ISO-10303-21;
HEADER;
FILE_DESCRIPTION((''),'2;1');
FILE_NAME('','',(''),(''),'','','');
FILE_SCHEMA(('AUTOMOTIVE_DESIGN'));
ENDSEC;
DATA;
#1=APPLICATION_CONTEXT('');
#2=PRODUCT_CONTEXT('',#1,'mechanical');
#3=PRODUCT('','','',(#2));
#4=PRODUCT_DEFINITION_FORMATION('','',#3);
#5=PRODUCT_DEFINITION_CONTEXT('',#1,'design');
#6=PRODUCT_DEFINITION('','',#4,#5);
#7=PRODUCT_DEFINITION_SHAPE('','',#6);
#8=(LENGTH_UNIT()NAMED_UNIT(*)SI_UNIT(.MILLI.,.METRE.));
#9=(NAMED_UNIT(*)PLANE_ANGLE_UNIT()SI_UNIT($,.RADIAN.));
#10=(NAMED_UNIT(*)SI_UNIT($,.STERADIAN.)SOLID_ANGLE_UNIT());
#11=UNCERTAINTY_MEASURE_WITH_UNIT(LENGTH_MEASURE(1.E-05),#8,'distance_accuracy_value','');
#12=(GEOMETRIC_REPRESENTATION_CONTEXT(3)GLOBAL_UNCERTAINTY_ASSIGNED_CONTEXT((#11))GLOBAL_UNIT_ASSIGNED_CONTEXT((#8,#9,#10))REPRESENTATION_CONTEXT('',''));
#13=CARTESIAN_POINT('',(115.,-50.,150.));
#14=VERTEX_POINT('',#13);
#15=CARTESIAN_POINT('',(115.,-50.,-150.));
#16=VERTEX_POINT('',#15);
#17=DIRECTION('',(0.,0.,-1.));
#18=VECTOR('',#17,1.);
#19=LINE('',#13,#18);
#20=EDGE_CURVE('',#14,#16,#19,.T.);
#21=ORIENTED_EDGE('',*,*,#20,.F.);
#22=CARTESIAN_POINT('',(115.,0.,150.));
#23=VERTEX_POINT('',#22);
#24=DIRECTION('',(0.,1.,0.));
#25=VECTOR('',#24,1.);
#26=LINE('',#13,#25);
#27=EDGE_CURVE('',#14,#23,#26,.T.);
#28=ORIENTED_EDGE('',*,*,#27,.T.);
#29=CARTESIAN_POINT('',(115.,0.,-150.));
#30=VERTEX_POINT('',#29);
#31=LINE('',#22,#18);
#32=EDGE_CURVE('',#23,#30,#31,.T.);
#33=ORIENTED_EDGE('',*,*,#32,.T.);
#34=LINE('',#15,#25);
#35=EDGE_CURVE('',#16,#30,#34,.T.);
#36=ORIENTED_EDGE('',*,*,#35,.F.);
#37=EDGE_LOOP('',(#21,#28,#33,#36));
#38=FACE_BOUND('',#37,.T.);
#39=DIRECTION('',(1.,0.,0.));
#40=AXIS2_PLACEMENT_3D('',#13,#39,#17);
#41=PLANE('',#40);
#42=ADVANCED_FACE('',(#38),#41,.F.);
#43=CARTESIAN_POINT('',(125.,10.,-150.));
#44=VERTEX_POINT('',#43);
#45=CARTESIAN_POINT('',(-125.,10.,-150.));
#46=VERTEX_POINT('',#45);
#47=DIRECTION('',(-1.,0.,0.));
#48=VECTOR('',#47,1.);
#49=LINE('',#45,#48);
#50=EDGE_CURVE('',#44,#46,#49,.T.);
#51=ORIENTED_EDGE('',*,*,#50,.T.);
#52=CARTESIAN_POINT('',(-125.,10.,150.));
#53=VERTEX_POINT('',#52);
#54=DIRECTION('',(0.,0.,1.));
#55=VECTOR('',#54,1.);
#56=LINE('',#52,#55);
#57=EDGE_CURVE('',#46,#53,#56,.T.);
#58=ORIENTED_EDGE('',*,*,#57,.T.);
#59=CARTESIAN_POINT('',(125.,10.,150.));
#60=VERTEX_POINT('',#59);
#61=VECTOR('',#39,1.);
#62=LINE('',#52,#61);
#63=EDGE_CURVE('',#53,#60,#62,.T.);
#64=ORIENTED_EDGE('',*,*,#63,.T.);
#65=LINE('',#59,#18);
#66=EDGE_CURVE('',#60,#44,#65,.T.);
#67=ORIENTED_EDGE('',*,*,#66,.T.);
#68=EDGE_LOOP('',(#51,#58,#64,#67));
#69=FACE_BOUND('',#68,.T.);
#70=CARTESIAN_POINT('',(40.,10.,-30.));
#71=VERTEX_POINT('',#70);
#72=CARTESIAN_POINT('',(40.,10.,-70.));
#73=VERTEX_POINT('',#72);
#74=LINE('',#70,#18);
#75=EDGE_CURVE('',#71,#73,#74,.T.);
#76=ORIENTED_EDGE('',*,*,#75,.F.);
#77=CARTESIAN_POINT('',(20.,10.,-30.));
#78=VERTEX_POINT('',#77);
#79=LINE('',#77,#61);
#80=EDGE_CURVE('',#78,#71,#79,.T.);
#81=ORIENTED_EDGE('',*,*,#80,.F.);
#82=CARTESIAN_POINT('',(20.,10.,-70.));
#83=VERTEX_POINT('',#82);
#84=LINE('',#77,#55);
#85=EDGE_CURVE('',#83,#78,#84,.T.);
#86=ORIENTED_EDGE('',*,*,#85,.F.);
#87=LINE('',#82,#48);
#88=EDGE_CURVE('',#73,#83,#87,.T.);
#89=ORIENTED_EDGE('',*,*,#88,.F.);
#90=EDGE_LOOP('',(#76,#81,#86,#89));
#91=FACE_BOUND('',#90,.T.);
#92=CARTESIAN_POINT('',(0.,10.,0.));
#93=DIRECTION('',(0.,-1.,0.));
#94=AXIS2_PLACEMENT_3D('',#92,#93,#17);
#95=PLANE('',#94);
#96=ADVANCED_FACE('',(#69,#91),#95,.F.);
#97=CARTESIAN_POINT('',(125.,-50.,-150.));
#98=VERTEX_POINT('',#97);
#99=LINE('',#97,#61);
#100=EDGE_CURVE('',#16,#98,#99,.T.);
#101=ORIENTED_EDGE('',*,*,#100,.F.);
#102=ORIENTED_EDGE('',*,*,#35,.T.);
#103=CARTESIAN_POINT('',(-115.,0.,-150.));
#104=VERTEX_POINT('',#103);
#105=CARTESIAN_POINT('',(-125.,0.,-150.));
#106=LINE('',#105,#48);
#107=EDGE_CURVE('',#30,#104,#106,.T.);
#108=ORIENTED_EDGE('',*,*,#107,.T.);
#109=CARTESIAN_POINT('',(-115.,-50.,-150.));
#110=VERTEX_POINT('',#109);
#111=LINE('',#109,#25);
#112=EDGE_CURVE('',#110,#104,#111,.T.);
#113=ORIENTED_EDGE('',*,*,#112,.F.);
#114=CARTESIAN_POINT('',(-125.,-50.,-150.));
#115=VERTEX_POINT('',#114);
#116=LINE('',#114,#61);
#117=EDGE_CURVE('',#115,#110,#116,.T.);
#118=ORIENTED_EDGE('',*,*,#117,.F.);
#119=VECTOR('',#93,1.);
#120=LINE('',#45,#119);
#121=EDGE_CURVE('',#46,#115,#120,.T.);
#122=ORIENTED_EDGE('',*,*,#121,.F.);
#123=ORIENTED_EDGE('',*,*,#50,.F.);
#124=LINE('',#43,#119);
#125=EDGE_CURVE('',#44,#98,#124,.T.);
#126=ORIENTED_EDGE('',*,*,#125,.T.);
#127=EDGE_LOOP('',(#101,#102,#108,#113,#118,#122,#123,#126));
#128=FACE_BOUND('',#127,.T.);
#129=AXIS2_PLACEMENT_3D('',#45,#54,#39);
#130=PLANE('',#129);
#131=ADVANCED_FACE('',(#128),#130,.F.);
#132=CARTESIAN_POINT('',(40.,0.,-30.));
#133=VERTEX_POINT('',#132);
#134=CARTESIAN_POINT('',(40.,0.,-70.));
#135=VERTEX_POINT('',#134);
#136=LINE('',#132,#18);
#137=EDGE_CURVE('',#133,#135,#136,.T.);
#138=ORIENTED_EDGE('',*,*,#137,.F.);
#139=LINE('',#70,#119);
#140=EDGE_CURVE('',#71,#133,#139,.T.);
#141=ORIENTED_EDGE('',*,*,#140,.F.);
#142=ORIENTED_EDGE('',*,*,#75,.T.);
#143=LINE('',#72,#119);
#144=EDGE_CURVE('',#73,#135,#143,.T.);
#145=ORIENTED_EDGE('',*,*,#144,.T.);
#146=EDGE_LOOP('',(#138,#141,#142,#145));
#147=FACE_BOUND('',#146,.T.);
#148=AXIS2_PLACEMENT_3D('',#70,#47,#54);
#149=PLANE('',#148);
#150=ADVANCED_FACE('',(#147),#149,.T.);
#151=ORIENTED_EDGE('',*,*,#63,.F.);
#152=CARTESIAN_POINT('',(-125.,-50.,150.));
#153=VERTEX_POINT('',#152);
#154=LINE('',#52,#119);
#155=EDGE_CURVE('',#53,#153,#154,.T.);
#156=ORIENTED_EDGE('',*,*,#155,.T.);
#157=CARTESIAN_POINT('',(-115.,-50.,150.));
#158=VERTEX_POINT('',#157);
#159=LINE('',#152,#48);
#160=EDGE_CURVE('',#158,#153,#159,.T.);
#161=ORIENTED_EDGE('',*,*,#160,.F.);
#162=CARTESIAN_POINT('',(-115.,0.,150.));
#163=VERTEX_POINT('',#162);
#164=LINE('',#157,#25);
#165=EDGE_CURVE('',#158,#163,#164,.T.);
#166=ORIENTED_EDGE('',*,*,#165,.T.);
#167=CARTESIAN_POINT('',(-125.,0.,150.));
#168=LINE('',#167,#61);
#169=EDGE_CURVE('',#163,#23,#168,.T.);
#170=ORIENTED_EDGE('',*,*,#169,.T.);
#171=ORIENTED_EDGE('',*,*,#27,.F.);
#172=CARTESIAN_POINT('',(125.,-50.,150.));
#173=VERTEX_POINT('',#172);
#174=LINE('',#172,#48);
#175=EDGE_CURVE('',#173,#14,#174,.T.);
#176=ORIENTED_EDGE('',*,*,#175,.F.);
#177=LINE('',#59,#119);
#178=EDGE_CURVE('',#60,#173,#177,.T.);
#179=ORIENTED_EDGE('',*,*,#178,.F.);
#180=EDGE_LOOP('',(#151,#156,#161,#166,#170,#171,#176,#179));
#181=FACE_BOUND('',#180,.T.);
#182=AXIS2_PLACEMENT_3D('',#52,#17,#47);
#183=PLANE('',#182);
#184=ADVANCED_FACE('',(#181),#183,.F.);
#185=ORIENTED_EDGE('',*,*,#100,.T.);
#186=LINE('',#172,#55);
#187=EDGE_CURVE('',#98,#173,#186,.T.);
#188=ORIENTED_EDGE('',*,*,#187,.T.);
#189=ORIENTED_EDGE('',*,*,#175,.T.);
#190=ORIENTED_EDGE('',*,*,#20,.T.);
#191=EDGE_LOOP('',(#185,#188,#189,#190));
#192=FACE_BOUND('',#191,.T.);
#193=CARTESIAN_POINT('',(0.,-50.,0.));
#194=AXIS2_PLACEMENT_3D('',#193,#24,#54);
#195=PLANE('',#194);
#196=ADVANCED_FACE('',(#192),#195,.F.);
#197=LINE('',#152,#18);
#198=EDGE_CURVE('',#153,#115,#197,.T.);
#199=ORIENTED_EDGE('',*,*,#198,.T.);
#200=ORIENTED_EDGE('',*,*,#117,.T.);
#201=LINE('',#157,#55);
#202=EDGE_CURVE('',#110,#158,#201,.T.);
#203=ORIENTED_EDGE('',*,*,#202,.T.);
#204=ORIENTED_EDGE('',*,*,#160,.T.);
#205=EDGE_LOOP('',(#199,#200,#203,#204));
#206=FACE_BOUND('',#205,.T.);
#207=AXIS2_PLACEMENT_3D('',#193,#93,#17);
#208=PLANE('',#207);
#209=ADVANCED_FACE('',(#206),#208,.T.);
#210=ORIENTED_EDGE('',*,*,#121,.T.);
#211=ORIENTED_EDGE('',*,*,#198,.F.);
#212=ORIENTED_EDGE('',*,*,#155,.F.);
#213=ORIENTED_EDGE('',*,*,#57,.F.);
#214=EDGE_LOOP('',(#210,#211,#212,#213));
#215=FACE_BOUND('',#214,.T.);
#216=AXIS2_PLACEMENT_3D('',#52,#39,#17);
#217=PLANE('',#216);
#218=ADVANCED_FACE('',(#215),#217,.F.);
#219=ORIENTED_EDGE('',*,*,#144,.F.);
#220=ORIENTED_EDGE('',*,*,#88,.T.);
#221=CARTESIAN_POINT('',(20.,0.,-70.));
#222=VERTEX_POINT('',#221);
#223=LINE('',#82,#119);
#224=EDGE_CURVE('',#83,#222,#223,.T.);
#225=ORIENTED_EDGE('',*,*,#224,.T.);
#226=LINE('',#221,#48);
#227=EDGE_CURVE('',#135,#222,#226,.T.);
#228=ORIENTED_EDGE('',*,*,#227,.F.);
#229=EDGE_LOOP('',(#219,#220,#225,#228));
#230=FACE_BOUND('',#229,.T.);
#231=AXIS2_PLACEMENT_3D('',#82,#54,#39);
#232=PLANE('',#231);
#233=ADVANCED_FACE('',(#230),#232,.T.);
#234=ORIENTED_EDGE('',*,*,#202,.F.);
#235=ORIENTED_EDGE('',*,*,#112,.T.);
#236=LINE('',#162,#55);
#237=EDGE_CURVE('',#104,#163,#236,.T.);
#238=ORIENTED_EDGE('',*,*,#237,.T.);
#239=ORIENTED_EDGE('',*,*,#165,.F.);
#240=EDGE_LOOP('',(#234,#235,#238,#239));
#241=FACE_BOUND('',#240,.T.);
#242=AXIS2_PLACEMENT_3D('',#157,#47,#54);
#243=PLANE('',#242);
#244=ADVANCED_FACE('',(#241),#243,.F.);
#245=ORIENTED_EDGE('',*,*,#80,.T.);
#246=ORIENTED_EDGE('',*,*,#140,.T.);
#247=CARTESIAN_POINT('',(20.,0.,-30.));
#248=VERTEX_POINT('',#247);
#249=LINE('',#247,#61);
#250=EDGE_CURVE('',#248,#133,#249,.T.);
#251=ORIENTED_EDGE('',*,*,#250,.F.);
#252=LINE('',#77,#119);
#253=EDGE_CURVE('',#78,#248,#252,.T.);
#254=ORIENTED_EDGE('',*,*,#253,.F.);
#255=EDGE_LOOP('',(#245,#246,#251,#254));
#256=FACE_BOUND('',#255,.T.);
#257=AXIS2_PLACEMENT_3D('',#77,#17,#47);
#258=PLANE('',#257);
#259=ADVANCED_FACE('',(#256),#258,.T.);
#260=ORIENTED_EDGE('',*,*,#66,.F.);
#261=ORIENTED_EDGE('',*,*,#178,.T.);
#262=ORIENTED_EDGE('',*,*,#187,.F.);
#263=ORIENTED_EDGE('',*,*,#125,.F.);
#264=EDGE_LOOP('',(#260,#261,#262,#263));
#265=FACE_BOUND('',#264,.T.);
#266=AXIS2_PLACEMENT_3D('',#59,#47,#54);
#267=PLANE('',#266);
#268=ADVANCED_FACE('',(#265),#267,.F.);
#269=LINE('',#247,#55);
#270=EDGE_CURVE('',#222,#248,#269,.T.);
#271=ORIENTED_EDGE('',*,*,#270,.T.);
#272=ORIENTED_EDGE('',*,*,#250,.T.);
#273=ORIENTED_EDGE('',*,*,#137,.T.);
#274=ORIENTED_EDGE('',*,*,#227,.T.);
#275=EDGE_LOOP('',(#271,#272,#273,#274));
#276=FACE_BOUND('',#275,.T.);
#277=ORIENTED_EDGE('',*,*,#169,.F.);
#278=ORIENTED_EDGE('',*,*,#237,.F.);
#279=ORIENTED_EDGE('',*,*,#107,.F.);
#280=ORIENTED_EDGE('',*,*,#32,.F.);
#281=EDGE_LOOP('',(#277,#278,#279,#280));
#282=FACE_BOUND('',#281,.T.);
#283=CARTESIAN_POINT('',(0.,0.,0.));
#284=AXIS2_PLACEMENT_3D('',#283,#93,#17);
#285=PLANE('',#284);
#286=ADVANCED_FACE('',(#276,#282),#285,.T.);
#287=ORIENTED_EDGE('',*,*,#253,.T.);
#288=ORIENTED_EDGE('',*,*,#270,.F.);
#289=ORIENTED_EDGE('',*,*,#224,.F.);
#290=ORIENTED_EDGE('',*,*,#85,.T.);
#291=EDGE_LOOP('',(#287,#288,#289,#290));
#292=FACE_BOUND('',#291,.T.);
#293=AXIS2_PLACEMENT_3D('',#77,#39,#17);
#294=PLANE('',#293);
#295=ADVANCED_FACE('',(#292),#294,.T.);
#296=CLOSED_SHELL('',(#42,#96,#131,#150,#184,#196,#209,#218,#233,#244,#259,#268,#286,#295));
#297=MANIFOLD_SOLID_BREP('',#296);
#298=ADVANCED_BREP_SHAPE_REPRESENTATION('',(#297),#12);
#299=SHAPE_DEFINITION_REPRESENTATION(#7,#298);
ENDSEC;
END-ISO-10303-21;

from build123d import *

# Parameters (mm, degrees)
SKETCH1_W           = 250
SKETCH1_H           = 300
SKETCH1_W_2         = 20
SKETCH1_H_2         = 40
BOSS_EXTRUDE1_DEPTH = 10
SKETCH2_W           = 10
SKETCH2_H           = 300
BOSS_EXTRUDE2_DEPTH = 50


with BuildPart() as part:
    # Sketch1 → Boss-Extrude1 (new body)
    with BuildSketch(Plane(origin=(0, 0, 0), x_dir=(1, 0, 0), z_dir=(0, 1, 0))):
        Rectangle(SKETCH1_W, SKETCH1_H)
        with Locations((30, 50)):
            Rectangle(SKETCH1_W_2, SKETCH1_H_2, mode=Mode.SUBTRACT)
    extrude(amount=BOSS_EXTRUDE1_DEPTH)

    # Sketch2 → Boss-Extrude2 (add)
    with BuildSketch(Plane.XZ):
        with Locations((120, 0)):
            Rectangle(SKETCH2_W, SKETCH2_H)
        with Locations((-120, 0)):
            Rectangle(SKETCH2_W, SKETCH2_H)
    extrude(amount=BOSS_EXTRUDE2_DEPTH)


solid = part.part
